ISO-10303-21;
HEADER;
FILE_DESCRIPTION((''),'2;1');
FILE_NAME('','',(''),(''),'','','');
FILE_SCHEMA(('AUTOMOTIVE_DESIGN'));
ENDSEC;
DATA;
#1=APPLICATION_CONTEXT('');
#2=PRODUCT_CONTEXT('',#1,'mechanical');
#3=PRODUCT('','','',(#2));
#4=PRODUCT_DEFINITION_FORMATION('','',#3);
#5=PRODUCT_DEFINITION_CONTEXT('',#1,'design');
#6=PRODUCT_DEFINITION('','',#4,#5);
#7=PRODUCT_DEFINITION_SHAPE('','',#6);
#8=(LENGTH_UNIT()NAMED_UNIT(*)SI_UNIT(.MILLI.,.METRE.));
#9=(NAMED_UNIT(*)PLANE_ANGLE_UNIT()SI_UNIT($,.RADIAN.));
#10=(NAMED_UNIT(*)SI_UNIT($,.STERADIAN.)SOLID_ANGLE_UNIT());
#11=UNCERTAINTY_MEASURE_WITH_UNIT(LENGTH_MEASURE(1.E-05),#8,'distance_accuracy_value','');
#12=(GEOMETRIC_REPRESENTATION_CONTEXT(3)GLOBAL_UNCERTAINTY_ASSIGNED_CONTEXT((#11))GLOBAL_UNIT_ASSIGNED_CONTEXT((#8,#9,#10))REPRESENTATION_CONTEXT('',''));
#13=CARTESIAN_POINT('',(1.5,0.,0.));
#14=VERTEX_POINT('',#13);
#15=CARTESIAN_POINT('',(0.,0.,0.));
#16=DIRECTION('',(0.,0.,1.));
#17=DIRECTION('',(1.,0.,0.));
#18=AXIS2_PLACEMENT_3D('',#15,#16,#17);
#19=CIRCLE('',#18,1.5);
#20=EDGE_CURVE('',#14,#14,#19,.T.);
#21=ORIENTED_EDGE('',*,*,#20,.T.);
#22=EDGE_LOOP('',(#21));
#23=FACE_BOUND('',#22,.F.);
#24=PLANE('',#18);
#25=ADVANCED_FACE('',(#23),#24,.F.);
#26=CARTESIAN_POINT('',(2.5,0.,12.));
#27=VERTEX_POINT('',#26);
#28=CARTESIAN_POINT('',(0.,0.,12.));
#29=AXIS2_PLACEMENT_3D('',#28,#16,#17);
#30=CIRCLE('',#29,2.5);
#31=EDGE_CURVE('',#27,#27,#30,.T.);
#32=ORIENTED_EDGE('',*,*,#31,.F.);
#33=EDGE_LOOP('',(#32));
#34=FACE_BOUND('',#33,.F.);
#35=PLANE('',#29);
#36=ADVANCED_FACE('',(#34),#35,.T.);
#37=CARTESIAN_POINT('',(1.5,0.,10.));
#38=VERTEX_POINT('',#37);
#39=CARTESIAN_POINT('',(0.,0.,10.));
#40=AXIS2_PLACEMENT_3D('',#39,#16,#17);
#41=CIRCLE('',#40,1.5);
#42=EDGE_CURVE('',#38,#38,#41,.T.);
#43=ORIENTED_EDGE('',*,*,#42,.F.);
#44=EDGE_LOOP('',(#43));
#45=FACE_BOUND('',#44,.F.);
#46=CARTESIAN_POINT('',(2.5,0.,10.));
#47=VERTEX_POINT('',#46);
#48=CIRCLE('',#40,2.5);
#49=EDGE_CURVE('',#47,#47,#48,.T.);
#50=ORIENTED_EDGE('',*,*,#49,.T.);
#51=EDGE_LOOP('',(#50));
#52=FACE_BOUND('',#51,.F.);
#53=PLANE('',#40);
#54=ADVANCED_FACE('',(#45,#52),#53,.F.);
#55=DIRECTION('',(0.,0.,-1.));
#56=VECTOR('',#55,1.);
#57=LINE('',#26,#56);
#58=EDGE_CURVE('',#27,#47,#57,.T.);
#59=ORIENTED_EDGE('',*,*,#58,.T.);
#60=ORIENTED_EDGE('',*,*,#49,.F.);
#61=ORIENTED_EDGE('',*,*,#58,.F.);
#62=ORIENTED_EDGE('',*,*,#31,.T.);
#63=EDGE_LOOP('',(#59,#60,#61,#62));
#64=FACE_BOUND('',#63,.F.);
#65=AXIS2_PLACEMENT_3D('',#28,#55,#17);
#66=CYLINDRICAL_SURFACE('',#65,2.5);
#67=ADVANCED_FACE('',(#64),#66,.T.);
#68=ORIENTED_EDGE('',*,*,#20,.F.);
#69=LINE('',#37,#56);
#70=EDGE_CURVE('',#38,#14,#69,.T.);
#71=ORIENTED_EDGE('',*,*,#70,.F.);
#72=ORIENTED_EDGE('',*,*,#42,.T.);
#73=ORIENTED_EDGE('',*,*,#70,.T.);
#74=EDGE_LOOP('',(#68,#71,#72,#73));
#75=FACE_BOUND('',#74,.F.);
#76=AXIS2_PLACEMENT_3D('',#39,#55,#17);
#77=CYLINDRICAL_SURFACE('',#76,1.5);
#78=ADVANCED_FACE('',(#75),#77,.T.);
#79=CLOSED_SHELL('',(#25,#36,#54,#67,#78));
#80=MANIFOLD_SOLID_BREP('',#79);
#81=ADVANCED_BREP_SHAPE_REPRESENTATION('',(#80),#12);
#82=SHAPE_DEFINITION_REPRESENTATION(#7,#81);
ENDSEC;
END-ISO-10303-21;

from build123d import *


with BuildPart() as part:
    # Sketch → Revolution (revolve)
    with BuildSketch(Plane.XZ):
        Polygon((0, 0), (0, 12), (2.5, 12), (2.5, 10), (1.5, 10), (1.5, 0), align=None)
    revolve(axis=Axis((0, 0, 0), (0, 0, 1)))


solid = part.part
